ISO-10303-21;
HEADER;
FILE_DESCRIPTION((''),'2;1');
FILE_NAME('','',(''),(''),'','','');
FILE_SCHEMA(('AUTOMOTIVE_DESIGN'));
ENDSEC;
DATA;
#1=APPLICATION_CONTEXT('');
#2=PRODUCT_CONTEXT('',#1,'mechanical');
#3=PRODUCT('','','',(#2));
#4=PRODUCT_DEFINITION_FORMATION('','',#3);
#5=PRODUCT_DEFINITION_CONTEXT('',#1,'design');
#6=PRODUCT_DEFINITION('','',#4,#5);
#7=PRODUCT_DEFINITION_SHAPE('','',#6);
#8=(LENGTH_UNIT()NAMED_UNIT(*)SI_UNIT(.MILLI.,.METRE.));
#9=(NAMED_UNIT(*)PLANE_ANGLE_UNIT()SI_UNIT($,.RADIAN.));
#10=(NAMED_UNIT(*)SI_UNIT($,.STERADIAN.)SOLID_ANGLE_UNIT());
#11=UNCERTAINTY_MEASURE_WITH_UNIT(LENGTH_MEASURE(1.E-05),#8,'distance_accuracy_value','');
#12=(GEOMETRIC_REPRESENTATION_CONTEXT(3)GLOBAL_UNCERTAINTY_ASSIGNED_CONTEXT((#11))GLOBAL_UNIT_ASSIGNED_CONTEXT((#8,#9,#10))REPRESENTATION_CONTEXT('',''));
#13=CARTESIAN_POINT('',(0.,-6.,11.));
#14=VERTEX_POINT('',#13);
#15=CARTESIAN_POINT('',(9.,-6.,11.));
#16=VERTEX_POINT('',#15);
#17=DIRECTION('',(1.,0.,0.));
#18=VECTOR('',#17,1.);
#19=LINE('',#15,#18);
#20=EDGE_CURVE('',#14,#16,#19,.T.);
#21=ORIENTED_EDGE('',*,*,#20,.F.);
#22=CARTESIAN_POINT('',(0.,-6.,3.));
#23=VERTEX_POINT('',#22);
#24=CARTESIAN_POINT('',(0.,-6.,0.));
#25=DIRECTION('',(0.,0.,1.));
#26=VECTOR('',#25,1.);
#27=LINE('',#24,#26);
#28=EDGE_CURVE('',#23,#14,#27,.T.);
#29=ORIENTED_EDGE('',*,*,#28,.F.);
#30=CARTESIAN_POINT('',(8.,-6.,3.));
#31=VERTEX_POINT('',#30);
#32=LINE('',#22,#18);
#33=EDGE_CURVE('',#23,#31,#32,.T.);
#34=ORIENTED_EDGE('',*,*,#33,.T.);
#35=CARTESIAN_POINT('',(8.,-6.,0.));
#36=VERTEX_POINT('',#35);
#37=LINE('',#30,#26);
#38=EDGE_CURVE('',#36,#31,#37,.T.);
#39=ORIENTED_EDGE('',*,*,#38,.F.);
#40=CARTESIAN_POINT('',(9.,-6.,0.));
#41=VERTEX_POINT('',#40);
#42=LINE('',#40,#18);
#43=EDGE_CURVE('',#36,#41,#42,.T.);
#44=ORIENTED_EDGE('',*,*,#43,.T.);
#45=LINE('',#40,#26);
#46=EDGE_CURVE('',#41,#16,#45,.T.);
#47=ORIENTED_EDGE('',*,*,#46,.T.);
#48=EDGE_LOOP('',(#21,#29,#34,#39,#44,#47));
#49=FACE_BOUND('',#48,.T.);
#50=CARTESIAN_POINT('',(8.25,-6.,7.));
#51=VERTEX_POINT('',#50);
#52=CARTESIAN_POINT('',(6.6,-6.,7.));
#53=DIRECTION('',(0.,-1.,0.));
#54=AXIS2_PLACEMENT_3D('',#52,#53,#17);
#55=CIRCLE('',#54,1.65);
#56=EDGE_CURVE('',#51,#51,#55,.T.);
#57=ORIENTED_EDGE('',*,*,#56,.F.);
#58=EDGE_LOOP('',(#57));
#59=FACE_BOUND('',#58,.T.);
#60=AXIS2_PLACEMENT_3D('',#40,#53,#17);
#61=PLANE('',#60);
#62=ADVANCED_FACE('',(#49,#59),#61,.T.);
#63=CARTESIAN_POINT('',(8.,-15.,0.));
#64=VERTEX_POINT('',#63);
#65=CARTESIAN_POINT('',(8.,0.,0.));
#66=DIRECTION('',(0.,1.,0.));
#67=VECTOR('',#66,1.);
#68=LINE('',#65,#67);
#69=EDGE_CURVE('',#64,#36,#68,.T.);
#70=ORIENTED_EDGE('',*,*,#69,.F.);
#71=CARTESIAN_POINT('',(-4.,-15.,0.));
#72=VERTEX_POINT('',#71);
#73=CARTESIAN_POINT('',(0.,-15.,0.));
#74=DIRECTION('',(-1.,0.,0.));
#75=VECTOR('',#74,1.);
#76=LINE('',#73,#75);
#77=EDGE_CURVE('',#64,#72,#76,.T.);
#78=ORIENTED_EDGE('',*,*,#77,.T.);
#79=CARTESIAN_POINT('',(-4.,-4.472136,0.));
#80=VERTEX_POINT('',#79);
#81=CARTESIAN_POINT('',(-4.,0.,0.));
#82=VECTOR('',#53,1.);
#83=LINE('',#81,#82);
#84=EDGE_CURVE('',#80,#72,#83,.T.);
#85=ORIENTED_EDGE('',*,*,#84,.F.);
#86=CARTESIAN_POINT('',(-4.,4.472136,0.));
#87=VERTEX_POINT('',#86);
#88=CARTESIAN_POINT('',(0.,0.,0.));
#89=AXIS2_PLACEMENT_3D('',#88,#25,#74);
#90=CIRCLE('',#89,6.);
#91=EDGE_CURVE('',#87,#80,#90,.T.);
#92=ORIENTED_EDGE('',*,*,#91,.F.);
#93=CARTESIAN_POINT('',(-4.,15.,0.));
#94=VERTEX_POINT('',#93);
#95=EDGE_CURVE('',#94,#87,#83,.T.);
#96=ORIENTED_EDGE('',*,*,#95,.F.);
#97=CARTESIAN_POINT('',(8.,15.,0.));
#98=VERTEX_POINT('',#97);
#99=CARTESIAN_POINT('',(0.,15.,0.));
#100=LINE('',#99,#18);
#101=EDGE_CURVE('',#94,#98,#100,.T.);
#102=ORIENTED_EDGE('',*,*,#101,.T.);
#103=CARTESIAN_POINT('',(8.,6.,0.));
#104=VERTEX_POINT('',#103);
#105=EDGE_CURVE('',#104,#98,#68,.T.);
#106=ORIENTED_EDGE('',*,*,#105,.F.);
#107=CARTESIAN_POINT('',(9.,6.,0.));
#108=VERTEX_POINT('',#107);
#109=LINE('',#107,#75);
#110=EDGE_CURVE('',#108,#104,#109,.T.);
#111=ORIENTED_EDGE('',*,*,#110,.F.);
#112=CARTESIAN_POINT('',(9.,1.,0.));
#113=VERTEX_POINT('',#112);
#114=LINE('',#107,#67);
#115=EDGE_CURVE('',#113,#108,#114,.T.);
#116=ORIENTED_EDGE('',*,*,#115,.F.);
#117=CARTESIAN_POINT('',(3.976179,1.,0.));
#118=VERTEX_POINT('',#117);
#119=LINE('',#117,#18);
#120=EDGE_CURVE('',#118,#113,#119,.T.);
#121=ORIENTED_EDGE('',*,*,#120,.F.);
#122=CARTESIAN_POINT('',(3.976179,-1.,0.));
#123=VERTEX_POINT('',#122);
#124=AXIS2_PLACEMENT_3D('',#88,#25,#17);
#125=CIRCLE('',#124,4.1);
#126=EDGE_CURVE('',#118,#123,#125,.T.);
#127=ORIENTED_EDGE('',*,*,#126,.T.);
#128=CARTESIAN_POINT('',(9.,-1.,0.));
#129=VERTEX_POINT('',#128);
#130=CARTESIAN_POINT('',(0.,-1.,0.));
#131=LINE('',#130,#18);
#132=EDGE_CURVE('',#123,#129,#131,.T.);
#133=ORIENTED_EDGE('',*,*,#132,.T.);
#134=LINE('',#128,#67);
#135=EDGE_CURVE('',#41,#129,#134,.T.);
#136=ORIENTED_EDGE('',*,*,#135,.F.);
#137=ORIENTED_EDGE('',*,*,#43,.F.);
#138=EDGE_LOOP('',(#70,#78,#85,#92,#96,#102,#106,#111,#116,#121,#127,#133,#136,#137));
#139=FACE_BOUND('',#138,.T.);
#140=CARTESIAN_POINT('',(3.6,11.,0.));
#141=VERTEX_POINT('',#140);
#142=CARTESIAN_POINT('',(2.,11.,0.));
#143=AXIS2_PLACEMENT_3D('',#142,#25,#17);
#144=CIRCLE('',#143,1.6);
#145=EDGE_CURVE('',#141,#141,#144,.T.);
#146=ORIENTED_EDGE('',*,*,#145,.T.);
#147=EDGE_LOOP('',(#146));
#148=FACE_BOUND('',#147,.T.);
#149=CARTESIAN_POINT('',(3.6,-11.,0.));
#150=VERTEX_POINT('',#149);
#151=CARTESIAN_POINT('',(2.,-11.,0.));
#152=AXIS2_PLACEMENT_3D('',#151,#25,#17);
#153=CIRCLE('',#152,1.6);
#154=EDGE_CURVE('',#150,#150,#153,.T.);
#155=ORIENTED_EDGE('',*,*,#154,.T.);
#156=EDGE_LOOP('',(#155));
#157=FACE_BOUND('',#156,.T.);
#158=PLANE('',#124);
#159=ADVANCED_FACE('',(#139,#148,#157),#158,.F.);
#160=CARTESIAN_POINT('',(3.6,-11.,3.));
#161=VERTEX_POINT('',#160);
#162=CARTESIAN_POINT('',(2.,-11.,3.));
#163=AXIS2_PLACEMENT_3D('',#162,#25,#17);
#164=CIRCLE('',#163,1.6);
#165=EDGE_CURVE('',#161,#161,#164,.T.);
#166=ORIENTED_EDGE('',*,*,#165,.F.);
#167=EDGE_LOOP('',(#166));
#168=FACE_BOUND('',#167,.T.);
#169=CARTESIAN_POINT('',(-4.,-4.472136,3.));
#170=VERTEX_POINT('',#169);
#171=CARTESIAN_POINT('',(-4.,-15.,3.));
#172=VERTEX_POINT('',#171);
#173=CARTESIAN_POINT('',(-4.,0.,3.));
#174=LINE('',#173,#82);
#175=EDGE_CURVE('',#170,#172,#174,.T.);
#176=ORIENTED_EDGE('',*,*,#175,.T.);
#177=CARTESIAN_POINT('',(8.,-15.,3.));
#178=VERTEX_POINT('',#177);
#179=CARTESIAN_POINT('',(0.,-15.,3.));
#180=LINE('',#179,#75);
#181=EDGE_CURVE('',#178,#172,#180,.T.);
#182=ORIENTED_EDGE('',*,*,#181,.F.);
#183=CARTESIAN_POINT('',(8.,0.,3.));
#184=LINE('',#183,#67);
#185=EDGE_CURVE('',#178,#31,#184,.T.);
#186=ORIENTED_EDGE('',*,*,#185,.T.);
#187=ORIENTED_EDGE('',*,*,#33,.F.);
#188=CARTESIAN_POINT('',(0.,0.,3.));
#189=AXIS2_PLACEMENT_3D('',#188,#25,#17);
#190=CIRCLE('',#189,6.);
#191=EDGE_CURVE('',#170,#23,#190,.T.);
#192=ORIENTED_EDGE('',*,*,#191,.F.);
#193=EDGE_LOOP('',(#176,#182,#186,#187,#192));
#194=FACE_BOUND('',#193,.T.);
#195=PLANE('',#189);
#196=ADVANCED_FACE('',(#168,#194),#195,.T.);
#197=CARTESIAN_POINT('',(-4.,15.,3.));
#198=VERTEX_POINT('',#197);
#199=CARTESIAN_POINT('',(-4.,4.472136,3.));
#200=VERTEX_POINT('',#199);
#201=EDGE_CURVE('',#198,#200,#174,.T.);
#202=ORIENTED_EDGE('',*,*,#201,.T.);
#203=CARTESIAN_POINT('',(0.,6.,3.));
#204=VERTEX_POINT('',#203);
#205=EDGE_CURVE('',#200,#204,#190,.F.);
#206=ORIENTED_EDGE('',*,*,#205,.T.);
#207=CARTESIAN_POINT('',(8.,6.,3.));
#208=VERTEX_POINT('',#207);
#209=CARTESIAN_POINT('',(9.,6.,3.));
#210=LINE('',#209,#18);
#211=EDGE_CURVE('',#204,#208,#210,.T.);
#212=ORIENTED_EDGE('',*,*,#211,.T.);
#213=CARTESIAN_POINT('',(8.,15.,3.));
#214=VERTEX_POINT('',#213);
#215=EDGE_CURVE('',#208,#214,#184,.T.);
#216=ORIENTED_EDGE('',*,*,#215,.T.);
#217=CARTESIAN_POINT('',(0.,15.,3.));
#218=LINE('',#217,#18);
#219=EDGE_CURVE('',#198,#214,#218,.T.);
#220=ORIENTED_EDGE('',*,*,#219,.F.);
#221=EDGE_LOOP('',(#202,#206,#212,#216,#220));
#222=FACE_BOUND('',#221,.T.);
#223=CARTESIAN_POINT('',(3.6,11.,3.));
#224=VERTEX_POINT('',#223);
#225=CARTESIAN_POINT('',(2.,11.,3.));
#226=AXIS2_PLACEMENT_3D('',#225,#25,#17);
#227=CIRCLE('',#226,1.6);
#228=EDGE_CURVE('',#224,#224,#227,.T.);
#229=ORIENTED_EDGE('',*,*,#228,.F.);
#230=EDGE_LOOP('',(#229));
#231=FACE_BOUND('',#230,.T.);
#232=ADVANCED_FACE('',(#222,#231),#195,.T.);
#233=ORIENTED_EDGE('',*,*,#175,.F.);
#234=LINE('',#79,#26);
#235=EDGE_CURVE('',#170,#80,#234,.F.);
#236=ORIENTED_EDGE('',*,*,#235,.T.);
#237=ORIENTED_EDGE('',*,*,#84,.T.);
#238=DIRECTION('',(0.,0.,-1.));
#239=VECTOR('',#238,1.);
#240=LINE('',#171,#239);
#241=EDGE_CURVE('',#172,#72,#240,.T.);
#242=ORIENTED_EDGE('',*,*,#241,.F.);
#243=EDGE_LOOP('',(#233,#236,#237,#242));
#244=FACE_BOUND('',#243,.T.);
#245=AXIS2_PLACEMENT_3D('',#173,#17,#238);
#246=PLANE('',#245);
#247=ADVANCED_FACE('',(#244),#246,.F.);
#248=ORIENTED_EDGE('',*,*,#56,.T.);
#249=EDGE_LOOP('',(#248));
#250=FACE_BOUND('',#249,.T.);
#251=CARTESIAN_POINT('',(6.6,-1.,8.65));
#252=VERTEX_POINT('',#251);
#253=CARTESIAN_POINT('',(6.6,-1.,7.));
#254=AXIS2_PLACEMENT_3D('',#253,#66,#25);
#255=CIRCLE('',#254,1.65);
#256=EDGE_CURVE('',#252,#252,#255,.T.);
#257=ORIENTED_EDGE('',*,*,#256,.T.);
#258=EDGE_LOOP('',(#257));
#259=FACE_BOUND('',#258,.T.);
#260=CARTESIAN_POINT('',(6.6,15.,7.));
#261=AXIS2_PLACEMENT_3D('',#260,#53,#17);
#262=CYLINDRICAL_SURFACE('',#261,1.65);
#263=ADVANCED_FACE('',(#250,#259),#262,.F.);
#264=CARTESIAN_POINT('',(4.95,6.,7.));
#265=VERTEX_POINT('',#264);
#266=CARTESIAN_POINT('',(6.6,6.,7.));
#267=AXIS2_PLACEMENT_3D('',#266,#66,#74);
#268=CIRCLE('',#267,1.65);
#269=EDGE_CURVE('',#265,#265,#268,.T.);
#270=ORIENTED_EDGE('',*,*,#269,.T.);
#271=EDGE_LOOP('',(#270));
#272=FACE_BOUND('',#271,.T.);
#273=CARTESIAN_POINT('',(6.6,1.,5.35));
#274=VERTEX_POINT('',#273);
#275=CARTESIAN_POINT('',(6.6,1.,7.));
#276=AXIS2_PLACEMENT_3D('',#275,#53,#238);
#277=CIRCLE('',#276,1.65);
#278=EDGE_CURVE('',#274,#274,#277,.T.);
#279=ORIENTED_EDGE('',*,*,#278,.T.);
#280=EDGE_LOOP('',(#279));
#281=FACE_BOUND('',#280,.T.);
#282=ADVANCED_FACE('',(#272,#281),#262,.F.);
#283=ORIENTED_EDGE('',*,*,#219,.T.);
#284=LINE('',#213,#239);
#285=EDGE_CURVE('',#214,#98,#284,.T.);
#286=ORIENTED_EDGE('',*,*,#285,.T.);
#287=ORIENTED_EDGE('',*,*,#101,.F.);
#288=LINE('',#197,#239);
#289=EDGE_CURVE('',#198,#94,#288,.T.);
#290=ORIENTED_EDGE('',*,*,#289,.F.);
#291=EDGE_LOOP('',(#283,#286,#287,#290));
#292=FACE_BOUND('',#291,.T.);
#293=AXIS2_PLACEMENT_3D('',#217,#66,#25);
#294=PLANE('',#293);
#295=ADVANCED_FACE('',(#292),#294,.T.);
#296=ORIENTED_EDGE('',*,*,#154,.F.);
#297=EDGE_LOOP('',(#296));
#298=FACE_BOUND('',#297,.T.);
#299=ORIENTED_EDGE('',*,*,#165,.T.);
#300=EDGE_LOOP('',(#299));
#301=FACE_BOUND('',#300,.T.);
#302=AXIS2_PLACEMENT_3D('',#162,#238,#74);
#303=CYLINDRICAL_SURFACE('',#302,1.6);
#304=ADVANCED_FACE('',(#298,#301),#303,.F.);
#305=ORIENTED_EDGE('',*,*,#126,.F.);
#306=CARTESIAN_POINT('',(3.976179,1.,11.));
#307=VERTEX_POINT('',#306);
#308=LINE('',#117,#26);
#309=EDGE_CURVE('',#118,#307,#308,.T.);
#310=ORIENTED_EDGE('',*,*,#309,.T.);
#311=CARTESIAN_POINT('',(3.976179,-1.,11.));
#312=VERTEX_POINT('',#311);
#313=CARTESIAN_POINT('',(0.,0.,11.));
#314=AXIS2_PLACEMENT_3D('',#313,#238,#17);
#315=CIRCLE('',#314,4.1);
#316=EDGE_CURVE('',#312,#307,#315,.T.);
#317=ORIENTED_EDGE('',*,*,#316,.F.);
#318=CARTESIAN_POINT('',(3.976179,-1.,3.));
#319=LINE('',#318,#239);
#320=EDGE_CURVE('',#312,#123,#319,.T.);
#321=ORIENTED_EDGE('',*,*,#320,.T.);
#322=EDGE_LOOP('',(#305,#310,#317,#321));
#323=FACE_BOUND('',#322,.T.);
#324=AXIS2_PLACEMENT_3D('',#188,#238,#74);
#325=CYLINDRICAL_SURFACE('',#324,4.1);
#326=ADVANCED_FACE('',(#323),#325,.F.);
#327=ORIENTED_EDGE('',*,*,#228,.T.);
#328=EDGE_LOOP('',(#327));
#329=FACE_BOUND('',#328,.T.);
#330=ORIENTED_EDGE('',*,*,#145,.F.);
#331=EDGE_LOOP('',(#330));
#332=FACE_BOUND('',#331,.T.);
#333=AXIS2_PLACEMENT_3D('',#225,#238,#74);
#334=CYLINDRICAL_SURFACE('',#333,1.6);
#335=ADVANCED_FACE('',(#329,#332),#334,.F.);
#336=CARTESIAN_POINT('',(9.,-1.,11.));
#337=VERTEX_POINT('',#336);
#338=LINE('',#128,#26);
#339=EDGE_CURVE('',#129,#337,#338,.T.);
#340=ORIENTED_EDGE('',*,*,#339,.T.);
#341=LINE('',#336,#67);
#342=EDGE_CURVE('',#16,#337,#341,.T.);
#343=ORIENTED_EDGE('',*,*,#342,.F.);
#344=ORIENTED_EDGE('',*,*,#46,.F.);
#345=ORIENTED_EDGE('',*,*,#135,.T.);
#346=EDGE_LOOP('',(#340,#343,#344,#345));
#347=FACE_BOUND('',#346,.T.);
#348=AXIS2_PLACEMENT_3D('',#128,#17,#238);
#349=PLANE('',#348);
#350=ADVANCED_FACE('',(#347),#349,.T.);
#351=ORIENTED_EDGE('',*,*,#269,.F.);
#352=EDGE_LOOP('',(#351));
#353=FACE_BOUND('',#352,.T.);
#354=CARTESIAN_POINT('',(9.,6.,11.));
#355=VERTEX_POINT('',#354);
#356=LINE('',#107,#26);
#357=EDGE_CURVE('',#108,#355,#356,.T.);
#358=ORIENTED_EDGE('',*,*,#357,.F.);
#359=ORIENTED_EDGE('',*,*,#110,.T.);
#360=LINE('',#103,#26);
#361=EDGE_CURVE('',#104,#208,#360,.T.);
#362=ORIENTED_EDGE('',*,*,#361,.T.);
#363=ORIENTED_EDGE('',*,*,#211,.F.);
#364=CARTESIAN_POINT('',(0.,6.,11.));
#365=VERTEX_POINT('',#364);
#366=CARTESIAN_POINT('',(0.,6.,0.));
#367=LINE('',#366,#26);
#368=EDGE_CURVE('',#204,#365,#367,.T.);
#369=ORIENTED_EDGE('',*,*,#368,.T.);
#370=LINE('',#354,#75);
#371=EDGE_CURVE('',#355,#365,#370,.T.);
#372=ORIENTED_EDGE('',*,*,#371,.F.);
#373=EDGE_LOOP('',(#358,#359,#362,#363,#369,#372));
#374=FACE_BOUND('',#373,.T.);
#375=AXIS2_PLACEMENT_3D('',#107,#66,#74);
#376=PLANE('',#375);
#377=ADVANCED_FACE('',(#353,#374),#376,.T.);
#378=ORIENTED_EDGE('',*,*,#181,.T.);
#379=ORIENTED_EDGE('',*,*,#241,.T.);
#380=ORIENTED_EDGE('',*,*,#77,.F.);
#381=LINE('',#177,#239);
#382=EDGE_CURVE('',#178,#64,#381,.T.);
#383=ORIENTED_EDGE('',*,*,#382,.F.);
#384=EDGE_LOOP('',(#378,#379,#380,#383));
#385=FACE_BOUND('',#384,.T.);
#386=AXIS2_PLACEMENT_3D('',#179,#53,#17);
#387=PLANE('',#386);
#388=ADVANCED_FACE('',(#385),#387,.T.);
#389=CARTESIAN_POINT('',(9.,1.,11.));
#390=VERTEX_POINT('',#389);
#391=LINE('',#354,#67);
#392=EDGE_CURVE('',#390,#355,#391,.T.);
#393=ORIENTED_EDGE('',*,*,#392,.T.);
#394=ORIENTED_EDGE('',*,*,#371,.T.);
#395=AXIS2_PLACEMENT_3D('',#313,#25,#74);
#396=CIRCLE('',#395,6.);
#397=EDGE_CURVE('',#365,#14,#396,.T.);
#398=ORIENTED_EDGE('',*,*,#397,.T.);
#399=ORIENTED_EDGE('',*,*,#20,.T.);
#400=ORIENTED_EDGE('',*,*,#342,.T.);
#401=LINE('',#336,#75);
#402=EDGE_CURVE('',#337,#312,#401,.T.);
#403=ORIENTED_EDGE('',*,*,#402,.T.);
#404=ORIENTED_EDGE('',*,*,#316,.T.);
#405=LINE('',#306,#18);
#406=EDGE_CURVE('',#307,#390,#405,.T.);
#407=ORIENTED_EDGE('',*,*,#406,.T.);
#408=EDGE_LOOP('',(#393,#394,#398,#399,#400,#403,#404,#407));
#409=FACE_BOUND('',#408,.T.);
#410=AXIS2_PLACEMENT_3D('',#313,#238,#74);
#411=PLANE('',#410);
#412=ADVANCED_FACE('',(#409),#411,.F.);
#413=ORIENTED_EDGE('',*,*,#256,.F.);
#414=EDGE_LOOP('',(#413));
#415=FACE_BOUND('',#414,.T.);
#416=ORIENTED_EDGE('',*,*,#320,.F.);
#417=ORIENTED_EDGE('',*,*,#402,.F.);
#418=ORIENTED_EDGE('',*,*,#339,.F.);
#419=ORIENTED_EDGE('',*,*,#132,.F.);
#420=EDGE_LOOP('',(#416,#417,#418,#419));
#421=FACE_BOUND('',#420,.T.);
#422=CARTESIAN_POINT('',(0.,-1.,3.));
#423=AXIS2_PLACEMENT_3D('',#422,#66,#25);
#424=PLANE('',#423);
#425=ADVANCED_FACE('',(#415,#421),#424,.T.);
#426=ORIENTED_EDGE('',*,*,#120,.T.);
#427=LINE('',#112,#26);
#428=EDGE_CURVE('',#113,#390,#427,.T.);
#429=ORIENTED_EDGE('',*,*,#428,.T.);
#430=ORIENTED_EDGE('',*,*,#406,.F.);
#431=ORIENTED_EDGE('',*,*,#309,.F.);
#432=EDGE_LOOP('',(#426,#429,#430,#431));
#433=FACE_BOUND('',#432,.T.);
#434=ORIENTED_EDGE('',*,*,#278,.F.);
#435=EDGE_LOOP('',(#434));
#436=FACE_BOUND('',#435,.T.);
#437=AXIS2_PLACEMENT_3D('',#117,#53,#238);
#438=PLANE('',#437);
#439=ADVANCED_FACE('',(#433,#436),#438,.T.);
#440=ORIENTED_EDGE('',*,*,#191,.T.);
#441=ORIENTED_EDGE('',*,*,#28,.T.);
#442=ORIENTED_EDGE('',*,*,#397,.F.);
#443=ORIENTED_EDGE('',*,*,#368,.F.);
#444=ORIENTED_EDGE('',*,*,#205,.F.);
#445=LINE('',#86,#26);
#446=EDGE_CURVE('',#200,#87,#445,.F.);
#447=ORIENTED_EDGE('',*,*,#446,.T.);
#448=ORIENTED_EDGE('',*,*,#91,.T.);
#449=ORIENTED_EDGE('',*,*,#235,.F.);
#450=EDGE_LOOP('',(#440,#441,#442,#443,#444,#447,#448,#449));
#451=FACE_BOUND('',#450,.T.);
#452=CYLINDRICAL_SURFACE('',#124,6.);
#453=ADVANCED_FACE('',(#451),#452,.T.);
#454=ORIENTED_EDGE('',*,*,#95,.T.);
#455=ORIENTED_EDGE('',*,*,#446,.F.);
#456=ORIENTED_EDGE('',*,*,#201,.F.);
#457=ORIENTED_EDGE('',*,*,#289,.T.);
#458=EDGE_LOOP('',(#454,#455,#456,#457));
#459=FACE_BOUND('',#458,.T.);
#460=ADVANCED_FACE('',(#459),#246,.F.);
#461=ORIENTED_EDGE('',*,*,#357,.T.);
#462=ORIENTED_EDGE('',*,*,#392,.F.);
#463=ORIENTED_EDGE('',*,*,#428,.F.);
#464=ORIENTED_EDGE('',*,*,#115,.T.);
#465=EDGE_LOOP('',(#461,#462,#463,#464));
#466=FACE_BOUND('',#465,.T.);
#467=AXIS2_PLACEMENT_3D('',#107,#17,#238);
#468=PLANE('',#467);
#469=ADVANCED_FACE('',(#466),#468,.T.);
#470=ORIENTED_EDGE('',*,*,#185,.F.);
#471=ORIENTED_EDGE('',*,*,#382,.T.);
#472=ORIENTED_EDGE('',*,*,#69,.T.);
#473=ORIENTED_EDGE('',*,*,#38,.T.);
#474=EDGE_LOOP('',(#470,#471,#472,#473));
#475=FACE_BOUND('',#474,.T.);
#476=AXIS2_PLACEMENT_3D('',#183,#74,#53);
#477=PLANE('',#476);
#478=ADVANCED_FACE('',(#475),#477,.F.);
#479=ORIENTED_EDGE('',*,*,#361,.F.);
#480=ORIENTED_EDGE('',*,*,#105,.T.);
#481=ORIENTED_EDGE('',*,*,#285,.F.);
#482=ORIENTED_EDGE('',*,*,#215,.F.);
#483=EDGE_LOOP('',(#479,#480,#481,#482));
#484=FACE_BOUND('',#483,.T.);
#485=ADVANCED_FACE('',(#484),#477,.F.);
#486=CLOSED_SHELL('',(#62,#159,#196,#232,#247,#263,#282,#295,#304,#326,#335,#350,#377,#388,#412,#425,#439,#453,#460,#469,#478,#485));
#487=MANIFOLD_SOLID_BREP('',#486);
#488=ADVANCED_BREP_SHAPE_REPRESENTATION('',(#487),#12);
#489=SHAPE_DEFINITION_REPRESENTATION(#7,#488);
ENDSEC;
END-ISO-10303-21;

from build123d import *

# Parameters (mm, degrees)
ESBO_O1_R                     = 1.6
RESSALTO_EXTRUS_O1_DEPTH      = 3
RESSALTO_EXTRUS_O1_2_DEPTH    = 3
RESSALTO_EXTRUS_O2_DEPTH      = 8
RESSALTO_EXTRUS_O2_DEPTH_BACK = 3
CORTE_EXTRUS_O1_DEPTH         = 26.357444666
CORTE_EXTRUS_O1_DEPTH_BACK    = 26.357444666
ESBO_O3_R                     = 1.65


with BuildPart() as part:
    # Esboço1 → Ressalto-extrusão1 (new body)
    with BuildSketch(Plane.XY):
        with BuildLine():
            ThreePointArc((-4, -0.9), (-0.051399019, -4.099677809), (3.97617907, -1))
            Line((3.97617907, -1), (8, -1))
            Line((8, -1), (8, -15))
            Line((8, -15), (-4, -15))
            Line((-4, -15), (-4, -0.9))
        make_face()
        with Locations((2, -11)):
            Circle(ESBO_O1_R, mode=Mode.SUBTRACT)
    extrude(amount=RESSALTO_EXTRUS_O1_DEPTH)



with BuildPart() as body_2:
    # Esboço1 → Ressalto-extrus_o1 2 (new body)
    with BuildSketch(Plane.XY):
        with BuildLine():
            ThreePointArc((3.97617907, 1), (-0.051399019, 4.099677809), (-4, 0.9))
            Line((-4, 0.9), (-4, 15))
            Line((-4, 15), (8, 15))
            Line((8, 15), (8, 1))
            Line((8, 1), (3.97617907, 1))
        make_face()
        with Locations((2, 11)):
            Circle(ESBO_O1_R, mode=Mode.SUBTRACT)
    extrude(amount=RESSALTO_EXTRUS_O1_2_DEPTH)


with BuildPart() as part_1:
    add(part.part)

    add(body_2.part)  # Ressalto-extrusão2 merges body 2
    # Esboço2 → Ressalto-extrusão2 (add, two sides: drawn at the far end of the back side and taken through both)
    with BuildSketch(Plane.XY.offset(3).offset(-RESSALTO_EXTRUS_O2_DEPTH_BACK)):
        with BuildLine():
            Line((9, 6), (9, 1))
            Line((9, 1), (3.97617907, 1))
            ThreePointArc((3.97617907, 1), (-4.1, 0), (3.97617907, -1))
            Line((3.97617907, -1), (9, -1))
            Line((9, -1), (9, -6))
            Line((9, -6), (0, -6))
            ThreePointArc((0, -6), (-6, 0), (0, 6))
            Line((0, 6), (9, 6))
        make_face()
    extrude(amount=RESSALTO_EXTRUS_O2_DEPTH + RESSALTO_EXTRUS_O2_DEPTH_BACK)

    # Esboço3 → Corte-extrusão1 (cut, two sides: drawn at the far end of the back side and taken through both)
    with BuildSketch(Plane.XZ.offset(-6).offset(-CORTE_EXTRUS_O1_DEPTH_BACK)):
        with Locations(Location((6.6, 7, 0), (0, 0, 270))):
            Circle(ESBO_O3_R)
    extrude(amount=CORTE_EXTRUS_O1_DEPTH + CORTE_EXTRUS_O1_DEPTH_BACK, mode=Mode.SUBTRACT)


solid = part_1.part
